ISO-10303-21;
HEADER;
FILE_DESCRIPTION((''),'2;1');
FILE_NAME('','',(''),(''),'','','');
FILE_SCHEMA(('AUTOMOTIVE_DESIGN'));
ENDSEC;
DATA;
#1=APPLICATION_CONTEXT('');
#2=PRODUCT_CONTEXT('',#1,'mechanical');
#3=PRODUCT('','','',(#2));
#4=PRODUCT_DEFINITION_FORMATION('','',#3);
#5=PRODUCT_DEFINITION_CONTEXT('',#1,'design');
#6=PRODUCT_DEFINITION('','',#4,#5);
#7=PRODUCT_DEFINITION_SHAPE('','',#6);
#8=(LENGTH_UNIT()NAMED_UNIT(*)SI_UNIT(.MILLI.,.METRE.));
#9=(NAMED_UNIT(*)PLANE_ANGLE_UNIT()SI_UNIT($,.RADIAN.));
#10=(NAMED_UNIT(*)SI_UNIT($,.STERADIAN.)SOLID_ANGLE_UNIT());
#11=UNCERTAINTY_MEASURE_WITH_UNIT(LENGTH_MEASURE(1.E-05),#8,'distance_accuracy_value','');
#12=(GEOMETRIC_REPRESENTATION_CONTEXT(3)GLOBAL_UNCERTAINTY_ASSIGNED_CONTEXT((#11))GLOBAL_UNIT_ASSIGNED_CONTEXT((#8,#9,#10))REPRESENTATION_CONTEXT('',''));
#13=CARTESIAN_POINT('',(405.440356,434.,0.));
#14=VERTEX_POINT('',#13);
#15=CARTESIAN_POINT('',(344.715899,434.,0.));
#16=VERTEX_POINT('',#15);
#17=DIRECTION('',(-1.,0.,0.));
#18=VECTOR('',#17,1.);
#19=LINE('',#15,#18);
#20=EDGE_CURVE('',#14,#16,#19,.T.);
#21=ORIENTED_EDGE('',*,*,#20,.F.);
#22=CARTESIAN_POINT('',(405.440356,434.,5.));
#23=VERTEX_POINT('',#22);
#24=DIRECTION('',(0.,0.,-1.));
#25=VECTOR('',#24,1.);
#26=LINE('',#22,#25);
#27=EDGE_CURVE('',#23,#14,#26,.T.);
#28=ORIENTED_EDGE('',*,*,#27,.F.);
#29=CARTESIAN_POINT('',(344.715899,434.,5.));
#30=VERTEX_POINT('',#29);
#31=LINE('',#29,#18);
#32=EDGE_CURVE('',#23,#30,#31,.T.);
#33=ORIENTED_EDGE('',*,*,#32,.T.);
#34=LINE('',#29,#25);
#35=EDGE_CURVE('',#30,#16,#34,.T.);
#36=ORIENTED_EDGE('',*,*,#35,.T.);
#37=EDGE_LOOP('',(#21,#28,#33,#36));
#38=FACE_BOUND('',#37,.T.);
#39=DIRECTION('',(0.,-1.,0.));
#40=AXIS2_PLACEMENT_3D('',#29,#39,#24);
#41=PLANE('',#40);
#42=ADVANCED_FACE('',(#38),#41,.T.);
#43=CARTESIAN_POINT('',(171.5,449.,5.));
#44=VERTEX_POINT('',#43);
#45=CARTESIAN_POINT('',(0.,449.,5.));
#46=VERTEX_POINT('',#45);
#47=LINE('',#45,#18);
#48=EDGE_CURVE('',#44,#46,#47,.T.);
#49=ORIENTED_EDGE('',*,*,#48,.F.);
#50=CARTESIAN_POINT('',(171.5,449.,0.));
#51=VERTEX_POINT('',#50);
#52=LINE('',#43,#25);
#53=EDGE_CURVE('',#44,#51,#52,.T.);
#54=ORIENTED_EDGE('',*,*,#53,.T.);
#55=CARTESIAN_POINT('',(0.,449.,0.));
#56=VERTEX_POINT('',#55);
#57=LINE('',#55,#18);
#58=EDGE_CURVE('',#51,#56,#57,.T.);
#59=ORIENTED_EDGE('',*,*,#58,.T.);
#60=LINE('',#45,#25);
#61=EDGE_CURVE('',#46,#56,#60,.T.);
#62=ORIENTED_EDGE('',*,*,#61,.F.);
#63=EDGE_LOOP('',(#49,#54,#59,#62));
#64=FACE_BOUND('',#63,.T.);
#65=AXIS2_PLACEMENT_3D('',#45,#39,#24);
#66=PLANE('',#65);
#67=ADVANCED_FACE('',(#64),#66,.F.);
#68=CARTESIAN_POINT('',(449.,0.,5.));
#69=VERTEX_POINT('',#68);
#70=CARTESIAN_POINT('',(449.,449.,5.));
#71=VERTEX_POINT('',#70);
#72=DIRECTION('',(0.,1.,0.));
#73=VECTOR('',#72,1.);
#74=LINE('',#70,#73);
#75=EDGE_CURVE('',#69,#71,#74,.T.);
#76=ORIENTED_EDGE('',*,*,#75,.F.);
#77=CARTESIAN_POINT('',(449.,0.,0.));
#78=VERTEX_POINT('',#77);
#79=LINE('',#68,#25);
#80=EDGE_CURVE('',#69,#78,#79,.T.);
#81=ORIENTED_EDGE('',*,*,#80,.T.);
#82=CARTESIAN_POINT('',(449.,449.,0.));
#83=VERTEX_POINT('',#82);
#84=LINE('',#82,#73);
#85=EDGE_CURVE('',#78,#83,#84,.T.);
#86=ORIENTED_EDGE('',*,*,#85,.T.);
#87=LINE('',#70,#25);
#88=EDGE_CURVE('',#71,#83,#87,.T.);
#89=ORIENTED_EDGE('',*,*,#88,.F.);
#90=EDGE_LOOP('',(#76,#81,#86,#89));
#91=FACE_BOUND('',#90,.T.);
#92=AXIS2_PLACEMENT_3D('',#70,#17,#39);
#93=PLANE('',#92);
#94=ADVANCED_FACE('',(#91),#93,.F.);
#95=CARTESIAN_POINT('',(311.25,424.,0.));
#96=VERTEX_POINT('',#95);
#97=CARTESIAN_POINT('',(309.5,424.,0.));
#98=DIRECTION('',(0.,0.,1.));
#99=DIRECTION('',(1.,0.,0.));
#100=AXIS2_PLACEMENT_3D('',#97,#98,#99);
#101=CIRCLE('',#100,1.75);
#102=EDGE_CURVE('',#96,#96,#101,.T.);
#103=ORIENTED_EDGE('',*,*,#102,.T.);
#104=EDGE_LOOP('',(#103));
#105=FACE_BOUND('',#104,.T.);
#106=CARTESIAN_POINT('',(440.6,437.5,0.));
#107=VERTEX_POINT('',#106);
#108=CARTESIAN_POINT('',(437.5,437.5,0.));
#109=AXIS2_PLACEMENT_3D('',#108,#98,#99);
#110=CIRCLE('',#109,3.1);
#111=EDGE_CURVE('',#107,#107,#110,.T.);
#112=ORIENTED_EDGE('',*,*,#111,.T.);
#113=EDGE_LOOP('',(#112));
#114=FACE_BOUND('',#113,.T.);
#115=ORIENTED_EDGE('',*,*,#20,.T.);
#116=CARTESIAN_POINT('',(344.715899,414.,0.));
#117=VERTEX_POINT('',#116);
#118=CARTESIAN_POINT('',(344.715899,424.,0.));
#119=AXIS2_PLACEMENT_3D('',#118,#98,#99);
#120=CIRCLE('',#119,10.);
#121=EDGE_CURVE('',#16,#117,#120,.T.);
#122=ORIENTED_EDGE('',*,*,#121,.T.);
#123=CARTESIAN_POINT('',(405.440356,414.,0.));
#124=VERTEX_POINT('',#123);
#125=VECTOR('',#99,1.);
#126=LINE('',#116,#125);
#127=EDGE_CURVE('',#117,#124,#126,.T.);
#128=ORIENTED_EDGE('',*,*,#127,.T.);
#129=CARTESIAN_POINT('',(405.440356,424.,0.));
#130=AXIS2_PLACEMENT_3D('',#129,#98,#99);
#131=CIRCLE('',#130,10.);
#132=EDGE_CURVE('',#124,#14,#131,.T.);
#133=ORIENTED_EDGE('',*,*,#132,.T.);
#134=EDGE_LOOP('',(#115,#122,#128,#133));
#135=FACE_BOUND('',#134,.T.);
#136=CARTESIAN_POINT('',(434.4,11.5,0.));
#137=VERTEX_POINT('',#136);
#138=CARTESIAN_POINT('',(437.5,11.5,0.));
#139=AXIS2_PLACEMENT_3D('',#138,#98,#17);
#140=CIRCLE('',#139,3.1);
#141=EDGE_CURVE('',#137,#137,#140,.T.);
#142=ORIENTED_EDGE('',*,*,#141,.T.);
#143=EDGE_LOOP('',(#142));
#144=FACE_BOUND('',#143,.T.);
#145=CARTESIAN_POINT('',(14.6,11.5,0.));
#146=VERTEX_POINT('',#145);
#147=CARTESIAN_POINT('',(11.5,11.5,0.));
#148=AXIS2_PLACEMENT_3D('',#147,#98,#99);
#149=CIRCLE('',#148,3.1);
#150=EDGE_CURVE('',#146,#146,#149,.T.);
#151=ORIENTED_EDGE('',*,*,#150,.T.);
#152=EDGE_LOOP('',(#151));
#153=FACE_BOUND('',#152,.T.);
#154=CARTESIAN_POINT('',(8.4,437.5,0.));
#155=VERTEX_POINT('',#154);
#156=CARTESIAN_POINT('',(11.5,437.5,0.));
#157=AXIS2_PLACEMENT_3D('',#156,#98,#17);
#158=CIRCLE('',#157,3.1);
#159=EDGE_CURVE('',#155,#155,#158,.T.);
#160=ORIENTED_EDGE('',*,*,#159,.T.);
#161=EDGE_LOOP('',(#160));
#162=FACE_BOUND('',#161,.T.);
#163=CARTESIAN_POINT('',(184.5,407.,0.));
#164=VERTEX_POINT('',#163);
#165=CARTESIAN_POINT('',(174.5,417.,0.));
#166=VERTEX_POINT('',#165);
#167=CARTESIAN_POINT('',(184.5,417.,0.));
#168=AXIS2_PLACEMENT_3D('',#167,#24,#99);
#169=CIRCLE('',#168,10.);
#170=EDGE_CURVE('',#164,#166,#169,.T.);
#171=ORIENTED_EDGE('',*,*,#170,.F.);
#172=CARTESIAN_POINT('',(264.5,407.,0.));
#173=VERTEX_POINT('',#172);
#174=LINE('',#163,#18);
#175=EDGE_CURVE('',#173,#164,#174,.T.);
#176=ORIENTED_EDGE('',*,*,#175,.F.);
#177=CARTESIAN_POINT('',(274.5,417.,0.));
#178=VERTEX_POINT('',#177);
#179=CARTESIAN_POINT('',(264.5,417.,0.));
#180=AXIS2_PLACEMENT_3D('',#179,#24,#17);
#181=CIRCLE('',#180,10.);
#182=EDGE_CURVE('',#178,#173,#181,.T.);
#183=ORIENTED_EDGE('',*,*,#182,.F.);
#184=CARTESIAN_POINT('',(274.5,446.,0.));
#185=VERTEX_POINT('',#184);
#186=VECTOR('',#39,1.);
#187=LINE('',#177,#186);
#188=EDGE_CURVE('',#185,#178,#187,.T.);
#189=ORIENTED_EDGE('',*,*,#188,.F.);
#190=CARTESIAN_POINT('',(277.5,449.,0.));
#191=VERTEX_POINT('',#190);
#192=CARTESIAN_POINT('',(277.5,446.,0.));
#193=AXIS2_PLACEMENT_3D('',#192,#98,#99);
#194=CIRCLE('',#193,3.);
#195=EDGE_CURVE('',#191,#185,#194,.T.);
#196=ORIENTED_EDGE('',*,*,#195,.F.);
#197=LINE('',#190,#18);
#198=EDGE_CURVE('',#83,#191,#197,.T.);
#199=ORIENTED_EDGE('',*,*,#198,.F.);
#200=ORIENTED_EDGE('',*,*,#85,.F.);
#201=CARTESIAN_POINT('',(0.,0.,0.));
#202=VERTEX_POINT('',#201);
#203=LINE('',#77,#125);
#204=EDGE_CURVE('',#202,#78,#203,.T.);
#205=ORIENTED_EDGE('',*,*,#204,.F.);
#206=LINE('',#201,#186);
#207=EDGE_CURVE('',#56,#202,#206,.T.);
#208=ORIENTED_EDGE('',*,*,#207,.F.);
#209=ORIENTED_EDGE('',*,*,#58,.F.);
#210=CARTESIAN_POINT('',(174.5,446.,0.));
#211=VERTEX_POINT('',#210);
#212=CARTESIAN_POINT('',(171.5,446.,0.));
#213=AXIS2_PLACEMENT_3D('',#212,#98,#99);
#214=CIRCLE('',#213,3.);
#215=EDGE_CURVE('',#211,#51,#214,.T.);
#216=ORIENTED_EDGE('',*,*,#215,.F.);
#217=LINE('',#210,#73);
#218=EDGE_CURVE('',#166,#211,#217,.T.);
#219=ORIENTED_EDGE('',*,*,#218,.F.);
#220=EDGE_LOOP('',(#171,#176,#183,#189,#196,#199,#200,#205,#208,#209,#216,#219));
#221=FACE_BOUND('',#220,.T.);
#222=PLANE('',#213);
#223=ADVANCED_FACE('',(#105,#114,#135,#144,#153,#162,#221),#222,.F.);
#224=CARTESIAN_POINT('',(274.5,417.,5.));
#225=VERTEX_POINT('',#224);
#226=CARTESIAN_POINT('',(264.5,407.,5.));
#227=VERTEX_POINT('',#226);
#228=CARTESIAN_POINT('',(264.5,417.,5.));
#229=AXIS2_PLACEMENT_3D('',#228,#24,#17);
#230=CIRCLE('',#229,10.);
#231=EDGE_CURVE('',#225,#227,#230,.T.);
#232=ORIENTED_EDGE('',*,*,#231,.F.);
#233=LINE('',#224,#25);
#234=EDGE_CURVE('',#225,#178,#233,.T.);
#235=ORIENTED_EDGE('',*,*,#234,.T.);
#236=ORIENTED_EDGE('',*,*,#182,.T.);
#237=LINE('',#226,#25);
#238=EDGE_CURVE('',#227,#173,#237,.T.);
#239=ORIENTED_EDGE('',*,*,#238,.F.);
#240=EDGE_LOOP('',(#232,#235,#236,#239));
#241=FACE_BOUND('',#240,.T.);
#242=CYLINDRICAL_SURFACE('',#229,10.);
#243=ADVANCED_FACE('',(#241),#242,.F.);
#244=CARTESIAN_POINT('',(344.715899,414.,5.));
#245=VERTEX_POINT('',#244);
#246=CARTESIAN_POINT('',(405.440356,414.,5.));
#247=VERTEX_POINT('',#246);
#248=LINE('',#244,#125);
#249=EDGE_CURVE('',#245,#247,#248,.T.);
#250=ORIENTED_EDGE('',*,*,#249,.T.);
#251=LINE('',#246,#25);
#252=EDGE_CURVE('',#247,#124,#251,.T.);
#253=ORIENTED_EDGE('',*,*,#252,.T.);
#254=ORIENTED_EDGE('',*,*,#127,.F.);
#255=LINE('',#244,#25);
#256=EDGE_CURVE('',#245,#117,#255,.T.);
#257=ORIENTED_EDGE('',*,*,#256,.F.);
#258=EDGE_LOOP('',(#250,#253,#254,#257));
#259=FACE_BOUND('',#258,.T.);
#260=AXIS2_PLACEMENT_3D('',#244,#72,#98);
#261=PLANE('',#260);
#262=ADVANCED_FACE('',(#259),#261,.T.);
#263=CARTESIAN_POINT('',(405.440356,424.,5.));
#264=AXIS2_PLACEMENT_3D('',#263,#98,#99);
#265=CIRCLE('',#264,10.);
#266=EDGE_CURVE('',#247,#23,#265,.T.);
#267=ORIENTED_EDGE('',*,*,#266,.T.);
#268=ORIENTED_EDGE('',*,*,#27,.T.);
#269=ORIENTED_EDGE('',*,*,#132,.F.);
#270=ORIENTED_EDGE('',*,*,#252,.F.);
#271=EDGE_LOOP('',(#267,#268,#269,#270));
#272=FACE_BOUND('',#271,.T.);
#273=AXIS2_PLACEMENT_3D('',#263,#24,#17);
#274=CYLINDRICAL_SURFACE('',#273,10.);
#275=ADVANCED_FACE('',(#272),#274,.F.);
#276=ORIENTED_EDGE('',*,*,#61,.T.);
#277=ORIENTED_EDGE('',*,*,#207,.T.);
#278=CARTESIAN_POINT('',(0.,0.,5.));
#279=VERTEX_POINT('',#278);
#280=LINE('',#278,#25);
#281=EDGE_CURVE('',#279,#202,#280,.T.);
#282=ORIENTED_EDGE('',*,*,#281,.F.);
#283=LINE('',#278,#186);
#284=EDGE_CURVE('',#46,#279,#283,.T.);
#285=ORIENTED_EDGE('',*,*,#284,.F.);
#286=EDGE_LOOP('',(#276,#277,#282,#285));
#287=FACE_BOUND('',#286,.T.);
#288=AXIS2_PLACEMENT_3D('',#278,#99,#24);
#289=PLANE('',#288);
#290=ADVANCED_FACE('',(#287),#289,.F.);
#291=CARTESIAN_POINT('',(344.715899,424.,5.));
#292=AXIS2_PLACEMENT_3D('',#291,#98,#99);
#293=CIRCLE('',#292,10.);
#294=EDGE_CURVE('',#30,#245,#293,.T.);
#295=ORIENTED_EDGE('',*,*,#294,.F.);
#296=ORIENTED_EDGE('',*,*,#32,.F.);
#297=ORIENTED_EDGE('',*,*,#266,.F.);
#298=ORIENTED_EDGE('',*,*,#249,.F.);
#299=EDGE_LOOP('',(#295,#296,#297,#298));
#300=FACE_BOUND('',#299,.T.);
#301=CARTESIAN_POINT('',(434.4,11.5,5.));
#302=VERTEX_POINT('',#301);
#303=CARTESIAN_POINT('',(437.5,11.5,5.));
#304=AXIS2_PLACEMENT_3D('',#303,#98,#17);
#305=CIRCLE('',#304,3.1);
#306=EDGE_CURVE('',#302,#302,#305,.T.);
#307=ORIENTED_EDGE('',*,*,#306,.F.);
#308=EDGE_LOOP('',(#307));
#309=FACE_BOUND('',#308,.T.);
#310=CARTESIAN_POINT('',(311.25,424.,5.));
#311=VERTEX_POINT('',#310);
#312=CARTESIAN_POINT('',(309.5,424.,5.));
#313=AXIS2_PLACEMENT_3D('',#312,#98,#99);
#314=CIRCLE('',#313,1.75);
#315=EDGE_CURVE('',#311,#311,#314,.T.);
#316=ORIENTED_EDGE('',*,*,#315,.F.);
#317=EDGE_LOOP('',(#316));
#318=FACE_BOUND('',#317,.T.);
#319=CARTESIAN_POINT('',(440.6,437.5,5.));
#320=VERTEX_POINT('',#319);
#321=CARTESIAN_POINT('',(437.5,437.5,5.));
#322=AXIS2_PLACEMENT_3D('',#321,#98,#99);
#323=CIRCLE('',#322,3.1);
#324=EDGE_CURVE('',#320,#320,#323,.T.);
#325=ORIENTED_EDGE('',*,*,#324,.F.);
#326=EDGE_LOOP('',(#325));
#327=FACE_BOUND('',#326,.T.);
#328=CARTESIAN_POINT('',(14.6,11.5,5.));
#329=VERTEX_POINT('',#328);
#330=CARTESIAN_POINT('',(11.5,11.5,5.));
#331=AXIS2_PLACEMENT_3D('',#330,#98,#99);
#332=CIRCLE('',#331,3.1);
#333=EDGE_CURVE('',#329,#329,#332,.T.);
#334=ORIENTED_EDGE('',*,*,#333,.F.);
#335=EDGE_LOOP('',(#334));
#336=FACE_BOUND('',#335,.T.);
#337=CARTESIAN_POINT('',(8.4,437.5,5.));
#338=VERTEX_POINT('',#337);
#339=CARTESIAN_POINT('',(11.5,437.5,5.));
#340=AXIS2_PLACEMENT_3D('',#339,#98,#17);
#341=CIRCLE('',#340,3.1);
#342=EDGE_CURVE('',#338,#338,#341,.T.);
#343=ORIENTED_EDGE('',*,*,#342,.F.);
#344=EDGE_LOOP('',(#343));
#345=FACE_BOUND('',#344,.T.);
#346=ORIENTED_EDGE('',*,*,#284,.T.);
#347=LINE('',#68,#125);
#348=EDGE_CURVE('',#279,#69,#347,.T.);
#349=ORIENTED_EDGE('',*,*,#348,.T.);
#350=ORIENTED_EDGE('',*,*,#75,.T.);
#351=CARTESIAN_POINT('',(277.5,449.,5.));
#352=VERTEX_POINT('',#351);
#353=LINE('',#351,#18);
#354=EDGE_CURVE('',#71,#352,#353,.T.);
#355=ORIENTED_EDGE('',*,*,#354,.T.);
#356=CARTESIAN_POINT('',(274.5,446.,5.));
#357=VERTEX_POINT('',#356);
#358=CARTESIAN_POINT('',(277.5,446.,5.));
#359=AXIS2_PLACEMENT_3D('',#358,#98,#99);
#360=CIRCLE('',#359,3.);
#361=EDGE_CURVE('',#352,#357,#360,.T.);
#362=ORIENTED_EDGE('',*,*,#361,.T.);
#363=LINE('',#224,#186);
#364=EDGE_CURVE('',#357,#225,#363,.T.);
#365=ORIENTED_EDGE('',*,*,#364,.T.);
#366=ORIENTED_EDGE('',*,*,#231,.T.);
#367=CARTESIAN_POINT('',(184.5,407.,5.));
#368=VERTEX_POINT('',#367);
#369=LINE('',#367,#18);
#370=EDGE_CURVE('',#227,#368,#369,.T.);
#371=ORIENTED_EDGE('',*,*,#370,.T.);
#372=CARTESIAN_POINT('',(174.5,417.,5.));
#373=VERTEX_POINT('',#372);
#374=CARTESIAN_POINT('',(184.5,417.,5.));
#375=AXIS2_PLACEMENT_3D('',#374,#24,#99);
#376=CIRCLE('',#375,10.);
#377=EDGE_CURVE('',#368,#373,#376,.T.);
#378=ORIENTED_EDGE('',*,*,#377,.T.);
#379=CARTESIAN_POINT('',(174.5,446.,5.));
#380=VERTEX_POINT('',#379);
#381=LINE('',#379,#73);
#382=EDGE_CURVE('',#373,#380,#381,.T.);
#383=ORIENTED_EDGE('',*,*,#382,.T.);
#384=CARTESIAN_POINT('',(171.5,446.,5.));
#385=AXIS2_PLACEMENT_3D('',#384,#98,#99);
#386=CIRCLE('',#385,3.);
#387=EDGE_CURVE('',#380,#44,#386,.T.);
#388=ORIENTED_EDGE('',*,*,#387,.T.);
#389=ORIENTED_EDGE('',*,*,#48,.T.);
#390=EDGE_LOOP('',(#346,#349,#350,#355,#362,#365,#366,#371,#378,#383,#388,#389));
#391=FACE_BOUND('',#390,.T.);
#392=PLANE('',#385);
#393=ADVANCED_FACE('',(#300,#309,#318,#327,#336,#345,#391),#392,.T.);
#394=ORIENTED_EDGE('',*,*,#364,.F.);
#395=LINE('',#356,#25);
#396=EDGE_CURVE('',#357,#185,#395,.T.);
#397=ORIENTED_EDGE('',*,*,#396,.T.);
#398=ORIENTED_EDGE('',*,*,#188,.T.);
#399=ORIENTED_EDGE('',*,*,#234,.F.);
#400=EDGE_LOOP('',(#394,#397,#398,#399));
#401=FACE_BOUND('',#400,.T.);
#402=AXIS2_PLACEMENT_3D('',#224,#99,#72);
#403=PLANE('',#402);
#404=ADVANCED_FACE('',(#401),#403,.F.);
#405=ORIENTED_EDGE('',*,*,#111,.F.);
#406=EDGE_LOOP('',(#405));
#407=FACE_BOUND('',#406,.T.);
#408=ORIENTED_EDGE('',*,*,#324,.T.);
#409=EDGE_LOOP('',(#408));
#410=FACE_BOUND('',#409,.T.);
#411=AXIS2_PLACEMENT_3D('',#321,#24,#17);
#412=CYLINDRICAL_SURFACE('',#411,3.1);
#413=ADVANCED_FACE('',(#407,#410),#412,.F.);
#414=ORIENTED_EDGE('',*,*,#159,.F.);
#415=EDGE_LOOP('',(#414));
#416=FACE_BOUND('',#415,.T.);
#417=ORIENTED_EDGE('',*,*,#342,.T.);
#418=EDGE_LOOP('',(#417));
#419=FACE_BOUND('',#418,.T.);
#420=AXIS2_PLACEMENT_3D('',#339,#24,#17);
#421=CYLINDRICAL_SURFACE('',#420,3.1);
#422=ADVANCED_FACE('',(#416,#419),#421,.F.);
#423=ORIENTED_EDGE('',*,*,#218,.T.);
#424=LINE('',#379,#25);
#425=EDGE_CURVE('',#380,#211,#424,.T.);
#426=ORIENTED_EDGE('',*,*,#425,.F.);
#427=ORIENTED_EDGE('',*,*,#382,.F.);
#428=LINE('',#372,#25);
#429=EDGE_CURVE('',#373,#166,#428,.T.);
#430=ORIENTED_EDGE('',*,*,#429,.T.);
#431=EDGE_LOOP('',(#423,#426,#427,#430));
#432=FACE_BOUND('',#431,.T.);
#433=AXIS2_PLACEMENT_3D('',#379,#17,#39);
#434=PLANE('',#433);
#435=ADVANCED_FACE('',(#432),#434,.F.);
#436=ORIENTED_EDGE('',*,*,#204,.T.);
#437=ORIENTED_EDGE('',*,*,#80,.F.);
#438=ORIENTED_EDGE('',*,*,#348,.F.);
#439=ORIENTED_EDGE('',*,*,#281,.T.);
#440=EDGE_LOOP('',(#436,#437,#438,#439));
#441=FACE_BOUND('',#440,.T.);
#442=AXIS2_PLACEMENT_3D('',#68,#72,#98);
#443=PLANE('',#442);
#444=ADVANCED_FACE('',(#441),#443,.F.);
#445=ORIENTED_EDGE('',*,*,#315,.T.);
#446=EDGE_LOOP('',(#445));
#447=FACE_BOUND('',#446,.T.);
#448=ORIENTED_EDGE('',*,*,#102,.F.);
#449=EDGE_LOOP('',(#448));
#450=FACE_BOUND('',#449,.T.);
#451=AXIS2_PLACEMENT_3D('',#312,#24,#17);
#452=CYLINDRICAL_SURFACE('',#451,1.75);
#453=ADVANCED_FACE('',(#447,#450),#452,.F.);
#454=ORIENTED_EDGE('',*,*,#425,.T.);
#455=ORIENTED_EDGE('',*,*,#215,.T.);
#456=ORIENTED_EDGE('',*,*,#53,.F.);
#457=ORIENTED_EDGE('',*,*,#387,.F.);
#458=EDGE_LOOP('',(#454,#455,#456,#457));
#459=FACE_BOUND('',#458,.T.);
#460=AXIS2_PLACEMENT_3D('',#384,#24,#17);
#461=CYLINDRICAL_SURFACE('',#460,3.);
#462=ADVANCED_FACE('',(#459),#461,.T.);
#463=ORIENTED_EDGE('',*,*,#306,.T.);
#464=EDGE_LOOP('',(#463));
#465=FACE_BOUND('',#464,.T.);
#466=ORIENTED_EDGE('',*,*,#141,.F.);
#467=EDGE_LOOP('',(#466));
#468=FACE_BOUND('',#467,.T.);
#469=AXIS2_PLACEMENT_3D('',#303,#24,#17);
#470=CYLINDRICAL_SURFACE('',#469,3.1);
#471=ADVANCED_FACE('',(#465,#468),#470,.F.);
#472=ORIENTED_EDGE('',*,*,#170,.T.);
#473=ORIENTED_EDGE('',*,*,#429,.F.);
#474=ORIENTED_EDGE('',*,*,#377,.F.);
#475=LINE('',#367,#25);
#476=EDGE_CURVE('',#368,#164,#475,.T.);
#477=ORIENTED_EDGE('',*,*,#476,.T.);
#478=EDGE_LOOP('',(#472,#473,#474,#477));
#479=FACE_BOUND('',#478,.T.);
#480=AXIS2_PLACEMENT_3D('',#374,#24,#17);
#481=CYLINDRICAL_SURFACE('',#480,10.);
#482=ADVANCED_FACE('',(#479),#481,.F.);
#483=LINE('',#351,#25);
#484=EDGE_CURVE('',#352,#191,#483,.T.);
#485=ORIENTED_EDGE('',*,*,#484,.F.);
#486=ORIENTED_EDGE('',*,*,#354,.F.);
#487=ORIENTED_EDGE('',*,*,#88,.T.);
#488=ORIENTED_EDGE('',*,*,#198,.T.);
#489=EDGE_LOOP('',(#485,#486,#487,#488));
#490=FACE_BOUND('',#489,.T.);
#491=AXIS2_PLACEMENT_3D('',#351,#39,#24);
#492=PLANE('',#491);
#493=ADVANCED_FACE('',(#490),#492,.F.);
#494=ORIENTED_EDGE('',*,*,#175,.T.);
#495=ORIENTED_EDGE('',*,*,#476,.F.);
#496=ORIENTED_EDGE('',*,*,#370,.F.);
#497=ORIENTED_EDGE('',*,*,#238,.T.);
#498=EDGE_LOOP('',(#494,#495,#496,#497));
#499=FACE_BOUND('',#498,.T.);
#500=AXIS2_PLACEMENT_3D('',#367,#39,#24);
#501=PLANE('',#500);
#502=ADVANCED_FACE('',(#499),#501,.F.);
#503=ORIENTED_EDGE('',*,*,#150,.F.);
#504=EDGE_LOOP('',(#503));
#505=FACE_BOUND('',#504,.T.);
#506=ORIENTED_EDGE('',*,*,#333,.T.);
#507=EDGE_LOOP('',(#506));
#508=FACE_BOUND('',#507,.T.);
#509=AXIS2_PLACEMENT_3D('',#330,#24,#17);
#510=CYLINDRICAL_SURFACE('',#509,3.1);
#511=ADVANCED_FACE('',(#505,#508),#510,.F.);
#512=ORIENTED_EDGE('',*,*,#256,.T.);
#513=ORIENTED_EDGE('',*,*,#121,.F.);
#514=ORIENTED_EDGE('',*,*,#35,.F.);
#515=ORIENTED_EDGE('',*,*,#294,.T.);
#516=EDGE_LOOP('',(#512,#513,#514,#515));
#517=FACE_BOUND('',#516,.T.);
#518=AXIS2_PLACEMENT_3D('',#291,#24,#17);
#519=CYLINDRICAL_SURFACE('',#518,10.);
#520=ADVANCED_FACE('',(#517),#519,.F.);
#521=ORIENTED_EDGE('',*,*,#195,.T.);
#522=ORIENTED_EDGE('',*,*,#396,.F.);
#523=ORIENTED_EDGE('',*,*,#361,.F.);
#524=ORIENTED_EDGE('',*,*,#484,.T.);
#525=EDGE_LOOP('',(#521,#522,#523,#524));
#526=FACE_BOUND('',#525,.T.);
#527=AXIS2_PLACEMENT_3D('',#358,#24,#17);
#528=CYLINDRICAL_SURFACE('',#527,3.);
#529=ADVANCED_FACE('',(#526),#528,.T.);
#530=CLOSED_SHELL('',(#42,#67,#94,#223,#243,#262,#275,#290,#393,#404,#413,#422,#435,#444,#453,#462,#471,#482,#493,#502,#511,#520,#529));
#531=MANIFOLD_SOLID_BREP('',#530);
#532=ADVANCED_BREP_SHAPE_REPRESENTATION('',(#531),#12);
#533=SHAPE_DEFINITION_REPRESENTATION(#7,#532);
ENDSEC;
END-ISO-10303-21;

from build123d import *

# Parameters (mm, degrees)
SCHIZZO1_R                   = 3.1
SCHIZZO1_R_2                 = 1.75
ESTRUSIONE_ESTRUSIONE1_DEPTH = 5


with BuildPart() as part:
    # Schizzo1 → Estrusione-Estrusione1 (new body)
    with BuildSketch(Plane.XY):
        with BuildLine():
            Line((0, 0), (0, 449))
            Line((0, 449), (171.5, 449))
            ThreePointArc((171.5, 449), (173.621320344, 448.121320344), (174.5, 446))
            Line((174.5, 446), (174.5, 417))
            ThreePointArc((174.5, 417), (177.428932188, 409.928932188), (184.5, 407))
            Line((184.5, 407), (264.5, 407))
            ThreePointArc((264.5, 407), (271.571067812, 409.928932188), (274.5, 417))
            Line((274.5, 417), (274.5, 446))
            ThreePointArc((274.5, 446), (275.378679656, 448.121320344), (277.5, 449))
            Line((277.5, 449), (449, 449))
            Line((449, 449), (449, 0))
            Line((449, 0), (0, 0))
        make_face()
        with Locations((11.5, 11.5)):
            Circle(SCHIZZO1_R, mode=Mode.SUBTRACT)
        with Locations((437.5, 11.5)):
            Circle(SCHIZZO1_R, mode=Mode.SUBTRACT)
        with Locations((437.5, 437.5)):
            Circle(SCHIZZO1_R, mode=Mode.SUBTRACT)
        with Locations((11.5, 437.5)):
            Circle(SCHIZZO1_R, mode=Mode.SUBTRACT)
        with Locations((309.5, 424)):
            Circle(SCHIZZO1_R_2, mode=Mode.SUBTRACT)
        with BuildLine():
            Line((344.715899345, 434), (405.440355678, 434))
            ThreePointArc((405.440355678, 434), (415.440355678, 424), (405.440355678, 414))
            Line((405.440355678, 414), (344.715899345, 414))
            ThreePointArc((344.715899345, 414), (334.715899345, 424), (344.715899345, 434))
        make_face(mode=Mode.SUBTRACT)
    extrude(amount=ESTRUSIONE_ESTRUSIONE1_DEPTH)


solid = part.part
